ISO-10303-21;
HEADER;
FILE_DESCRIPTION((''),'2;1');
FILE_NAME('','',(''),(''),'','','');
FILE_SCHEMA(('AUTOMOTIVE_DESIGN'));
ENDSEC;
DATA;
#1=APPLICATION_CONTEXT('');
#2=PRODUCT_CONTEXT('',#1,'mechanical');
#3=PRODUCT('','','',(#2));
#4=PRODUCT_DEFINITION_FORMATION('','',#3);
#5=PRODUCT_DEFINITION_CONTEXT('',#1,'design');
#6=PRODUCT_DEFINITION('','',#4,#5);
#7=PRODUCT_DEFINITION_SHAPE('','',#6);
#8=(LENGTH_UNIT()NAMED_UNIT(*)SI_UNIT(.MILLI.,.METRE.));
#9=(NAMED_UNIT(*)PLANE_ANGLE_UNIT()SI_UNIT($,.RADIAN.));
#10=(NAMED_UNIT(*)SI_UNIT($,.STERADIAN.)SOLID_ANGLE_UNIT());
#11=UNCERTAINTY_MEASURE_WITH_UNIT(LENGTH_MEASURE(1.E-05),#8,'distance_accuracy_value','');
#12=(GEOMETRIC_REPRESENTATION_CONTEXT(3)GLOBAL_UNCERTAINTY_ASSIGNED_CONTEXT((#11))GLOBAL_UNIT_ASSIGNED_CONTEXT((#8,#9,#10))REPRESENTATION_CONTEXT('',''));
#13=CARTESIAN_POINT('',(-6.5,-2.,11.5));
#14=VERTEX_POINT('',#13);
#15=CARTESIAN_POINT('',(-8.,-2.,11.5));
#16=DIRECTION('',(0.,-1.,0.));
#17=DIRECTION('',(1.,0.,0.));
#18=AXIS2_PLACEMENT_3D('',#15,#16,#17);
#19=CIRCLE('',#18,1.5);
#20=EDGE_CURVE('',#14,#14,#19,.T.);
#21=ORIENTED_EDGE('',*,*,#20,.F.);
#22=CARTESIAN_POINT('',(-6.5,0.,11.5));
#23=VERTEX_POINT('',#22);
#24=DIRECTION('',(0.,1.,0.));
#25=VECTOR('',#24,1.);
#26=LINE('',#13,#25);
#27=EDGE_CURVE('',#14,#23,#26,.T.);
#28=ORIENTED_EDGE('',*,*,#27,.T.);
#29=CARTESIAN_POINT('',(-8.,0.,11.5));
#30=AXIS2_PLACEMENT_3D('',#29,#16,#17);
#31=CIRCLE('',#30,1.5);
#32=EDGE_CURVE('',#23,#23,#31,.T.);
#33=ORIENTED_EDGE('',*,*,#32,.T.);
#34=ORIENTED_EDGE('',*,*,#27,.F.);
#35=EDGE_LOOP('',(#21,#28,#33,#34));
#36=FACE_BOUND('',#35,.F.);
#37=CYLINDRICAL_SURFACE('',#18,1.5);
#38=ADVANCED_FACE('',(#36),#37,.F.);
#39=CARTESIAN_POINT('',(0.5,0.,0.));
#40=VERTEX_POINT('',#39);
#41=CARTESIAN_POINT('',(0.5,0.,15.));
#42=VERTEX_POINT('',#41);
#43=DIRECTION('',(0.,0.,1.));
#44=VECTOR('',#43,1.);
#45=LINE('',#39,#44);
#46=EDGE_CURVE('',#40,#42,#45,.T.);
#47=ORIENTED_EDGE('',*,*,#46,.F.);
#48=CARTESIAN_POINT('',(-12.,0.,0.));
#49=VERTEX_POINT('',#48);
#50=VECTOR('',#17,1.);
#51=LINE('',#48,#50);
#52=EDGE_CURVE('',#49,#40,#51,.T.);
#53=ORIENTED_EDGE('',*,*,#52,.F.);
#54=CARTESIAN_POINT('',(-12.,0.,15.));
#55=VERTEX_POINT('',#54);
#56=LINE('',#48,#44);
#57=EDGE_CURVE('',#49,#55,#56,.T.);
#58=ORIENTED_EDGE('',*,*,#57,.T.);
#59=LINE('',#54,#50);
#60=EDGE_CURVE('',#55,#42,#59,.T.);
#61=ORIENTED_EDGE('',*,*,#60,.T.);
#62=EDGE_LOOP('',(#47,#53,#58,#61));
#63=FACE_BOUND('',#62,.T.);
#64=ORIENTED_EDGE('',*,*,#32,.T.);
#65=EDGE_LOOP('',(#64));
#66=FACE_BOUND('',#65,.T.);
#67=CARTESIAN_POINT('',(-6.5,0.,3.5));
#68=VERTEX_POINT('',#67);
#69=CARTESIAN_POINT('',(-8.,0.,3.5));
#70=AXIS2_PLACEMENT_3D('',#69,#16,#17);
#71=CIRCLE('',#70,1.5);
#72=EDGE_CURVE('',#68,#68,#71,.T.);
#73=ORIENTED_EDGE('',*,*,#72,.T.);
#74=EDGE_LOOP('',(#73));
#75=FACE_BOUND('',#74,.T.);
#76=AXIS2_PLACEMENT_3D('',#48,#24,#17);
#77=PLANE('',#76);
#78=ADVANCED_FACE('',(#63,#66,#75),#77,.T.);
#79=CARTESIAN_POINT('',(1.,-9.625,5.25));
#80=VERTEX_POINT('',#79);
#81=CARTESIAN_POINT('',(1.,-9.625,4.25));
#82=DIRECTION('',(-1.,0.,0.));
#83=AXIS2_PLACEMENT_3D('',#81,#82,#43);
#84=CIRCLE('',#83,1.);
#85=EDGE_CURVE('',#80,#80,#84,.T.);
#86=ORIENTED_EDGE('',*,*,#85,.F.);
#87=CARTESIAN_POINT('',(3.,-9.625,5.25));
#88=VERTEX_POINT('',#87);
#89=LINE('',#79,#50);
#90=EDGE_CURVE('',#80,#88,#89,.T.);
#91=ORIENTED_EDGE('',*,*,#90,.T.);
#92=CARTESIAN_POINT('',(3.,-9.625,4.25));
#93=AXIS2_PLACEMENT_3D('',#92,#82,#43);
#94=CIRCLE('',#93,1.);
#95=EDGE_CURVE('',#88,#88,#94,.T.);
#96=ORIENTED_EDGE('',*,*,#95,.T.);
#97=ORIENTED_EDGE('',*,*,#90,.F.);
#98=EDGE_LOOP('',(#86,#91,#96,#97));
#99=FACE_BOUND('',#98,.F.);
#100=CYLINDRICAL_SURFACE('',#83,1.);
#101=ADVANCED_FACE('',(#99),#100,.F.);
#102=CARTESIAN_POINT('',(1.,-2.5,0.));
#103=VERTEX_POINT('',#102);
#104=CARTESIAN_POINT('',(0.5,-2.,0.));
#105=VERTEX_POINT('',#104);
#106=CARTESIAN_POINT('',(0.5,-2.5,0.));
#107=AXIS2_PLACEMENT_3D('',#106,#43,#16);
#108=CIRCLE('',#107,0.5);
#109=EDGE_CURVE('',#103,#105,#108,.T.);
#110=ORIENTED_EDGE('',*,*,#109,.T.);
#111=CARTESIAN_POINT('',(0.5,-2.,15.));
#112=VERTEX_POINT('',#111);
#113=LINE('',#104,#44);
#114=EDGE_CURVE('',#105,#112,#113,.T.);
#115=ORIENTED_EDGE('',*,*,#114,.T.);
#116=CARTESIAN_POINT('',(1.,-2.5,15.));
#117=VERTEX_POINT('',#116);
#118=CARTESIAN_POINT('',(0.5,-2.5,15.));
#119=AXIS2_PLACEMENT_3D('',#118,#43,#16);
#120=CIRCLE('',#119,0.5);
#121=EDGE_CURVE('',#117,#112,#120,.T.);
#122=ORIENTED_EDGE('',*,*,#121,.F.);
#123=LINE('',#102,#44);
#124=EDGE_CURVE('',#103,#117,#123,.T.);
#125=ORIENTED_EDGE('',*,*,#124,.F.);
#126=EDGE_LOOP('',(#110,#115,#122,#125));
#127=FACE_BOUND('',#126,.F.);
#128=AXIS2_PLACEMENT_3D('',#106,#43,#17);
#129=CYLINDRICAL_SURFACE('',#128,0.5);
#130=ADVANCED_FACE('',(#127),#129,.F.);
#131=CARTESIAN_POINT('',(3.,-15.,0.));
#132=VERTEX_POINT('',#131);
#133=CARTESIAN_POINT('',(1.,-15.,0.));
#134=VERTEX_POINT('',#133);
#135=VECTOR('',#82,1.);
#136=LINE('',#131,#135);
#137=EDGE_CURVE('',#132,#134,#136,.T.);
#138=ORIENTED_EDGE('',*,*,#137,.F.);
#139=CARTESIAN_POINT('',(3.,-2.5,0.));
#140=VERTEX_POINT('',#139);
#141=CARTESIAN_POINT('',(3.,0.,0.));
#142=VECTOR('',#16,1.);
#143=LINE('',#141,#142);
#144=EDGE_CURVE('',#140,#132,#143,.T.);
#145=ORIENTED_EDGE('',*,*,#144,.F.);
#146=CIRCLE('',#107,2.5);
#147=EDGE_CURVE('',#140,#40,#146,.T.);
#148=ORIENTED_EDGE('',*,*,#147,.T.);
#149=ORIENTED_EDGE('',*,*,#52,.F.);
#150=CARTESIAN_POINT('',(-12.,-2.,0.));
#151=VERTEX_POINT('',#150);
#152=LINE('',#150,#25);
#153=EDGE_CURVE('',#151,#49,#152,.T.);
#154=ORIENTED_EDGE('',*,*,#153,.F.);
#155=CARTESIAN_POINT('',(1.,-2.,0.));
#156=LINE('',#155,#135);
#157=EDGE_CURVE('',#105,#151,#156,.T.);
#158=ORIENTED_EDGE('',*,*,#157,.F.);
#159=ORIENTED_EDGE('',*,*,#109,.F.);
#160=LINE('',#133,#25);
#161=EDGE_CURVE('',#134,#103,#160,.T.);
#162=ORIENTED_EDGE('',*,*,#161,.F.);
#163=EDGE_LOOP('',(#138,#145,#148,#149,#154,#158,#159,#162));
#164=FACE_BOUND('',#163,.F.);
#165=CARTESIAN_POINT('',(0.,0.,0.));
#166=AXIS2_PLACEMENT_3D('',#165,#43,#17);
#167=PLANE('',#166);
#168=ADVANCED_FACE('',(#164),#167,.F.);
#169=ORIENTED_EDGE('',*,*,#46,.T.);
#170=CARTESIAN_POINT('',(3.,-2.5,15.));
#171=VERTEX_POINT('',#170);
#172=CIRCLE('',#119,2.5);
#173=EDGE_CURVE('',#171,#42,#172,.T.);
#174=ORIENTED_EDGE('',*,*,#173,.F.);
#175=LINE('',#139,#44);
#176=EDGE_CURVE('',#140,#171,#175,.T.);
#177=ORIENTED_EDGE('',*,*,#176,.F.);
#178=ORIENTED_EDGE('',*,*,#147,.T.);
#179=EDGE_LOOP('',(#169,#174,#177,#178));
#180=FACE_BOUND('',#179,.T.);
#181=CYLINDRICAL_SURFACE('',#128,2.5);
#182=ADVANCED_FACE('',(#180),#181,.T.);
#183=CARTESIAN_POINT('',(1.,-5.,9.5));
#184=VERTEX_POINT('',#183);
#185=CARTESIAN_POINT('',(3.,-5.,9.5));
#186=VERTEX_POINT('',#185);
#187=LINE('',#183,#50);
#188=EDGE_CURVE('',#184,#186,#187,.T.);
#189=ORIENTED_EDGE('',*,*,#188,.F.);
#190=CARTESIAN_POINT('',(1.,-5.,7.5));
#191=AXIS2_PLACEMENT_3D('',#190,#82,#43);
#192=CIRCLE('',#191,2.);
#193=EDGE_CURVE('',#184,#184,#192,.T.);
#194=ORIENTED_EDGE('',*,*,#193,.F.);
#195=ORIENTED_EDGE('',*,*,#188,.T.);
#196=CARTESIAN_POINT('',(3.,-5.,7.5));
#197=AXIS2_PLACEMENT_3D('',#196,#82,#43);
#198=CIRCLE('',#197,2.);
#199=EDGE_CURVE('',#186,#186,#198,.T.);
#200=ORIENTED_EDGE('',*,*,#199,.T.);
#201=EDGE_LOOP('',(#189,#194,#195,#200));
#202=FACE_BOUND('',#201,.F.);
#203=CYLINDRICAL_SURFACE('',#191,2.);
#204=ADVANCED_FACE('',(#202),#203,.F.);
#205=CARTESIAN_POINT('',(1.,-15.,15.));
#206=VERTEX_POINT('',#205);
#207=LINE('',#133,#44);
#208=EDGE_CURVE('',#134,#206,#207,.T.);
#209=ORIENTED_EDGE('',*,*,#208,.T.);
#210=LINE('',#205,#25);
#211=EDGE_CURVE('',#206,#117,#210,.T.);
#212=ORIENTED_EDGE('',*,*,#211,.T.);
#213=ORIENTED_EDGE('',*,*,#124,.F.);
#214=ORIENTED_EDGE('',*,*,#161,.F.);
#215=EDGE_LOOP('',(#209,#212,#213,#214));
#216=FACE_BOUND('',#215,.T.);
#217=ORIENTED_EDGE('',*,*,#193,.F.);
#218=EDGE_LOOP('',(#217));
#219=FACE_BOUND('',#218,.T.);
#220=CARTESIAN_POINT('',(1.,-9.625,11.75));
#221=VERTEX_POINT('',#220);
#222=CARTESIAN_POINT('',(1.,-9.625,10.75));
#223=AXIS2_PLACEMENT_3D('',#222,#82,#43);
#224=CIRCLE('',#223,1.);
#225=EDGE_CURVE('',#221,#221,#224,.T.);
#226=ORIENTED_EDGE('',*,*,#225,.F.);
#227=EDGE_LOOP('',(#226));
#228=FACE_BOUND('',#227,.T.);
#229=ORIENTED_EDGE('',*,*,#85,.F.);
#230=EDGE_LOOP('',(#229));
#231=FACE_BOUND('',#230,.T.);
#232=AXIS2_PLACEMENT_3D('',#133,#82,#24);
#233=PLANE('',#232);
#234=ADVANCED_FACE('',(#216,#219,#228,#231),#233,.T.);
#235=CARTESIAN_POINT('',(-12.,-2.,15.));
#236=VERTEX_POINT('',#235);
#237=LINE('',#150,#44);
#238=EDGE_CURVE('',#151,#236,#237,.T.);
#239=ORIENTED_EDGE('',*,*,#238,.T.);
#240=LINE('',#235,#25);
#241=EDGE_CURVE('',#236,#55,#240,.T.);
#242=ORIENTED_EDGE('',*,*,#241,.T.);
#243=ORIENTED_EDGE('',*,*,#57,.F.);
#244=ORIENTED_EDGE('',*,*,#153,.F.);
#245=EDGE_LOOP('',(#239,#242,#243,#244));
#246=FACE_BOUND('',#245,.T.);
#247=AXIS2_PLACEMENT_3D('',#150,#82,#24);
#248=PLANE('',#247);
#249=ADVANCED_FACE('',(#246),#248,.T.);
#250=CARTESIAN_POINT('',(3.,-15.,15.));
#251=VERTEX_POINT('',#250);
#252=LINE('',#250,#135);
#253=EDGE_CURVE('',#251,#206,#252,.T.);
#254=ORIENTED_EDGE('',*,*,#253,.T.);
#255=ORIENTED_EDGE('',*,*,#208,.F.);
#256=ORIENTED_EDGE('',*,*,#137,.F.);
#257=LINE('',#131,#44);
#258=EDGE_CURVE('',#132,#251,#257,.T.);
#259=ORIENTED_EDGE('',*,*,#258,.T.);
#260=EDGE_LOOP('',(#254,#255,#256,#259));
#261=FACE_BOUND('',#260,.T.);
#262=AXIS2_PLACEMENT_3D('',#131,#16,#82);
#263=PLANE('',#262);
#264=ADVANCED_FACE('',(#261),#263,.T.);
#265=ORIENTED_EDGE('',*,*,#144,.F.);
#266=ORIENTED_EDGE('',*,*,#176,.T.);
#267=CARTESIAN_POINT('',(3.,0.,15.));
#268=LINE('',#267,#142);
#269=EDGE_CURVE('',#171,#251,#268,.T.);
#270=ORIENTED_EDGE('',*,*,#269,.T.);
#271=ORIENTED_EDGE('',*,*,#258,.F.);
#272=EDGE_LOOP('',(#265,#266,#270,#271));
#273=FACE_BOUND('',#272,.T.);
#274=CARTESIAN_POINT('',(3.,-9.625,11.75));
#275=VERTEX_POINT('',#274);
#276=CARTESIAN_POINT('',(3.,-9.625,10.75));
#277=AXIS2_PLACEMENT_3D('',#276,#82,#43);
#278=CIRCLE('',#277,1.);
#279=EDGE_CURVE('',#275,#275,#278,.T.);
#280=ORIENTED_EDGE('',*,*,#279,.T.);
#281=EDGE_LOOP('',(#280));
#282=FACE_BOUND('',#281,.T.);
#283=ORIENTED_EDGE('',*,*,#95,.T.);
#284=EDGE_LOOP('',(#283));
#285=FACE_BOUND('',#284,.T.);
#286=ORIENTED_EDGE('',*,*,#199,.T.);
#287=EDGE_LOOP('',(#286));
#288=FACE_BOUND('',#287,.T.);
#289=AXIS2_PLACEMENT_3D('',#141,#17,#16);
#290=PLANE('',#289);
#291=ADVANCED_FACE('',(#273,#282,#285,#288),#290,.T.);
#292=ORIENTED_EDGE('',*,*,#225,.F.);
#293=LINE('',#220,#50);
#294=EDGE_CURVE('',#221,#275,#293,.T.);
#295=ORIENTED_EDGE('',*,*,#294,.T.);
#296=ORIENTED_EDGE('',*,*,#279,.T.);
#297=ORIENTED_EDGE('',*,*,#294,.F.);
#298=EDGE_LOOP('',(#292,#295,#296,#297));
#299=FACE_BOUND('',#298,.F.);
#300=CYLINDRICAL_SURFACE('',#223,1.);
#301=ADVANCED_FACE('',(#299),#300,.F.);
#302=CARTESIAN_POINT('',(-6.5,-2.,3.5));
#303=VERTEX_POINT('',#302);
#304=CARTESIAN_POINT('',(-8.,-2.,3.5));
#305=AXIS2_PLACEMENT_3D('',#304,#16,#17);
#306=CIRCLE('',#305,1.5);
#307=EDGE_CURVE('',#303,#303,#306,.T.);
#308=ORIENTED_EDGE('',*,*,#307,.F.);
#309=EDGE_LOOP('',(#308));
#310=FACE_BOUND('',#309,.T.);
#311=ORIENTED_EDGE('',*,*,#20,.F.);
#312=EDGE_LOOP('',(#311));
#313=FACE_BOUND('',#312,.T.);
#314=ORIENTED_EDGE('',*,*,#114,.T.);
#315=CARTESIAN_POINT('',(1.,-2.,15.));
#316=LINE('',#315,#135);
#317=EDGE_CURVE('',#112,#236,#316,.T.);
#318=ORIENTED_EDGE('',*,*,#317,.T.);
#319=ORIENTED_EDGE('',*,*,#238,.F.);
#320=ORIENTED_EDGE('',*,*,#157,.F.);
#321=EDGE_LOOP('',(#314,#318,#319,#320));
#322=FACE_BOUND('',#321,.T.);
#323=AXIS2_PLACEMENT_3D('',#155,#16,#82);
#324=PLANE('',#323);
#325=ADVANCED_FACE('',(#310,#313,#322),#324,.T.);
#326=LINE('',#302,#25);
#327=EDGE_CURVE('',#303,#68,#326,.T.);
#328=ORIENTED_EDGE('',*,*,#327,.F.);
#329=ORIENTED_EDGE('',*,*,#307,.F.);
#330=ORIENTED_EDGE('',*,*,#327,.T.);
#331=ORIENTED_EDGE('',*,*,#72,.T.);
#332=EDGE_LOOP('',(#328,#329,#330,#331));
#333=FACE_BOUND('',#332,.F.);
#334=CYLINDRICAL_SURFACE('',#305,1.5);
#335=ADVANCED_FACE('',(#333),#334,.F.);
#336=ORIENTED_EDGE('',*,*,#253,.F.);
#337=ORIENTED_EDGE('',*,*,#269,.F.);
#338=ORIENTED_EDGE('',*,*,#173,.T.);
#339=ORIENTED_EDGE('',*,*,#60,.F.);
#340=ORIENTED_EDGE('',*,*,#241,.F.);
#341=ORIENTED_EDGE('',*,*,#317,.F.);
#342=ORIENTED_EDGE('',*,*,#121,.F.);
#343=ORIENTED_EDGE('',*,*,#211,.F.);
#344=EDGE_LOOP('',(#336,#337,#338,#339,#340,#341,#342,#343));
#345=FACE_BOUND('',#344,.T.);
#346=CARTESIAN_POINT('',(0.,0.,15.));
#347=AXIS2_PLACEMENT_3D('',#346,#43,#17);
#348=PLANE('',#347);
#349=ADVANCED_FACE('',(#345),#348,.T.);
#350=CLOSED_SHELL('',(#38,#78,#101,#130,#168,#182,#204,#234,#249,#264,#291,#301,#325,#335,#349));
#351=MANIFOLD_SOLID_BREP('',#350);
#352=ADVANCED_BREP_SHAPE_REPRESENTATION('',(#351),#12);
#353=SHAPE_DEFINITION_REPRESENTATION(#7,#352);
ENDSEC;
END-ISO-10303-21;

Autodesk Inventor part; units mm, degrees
ref_plane "YZ Plane" through (0, 0, 0) normal (1, 0, 0) x (0, 1, 0)
ref_plane "XZ Plane" through (0, 0, 0) normal (0, 1, 0) x (-1, 0, 0)
ref_plane "XY Plane" through (0, 0, 0) normal (0, 0, 1) x (1, 0, 0)
sketch "Sketch1" plane through (0, 0, 0) normal (0, 0, 1) x (1, 0, 0)
  line L0 (3, 0) -> (3, -15)
  line L1 (3, -15) -> (1, -15)
  line L2 (1, -15) -> (1, -2)
  line L3 (1, -2) -> (-12, -2)
  line L4 (-12, -2) -> (-12, 0)
  line L5 (-12, 0) -> (3, 0)
  line L6 (-12, 0) -> (3, 0)
  dimension "d38" = 2
  dimension "d39" = 13
  dimension "d40" = 13
  dimension "d41" = 2
extrude "Extrusion3" add sketch "Sketch1" along normal blind 15
sketch "Sketch2" plane through (-12, -2, 0) normal (0, -1, 0) x (1, 0, 0)
  circle A0 centre (4, 3.5) radius 1.5
  line L0 (0, 15) -> (13, 15) projected
  line L1 (0, 0) -> (0, 15) projected
  line L2 (0, 0) -> (13, 0) projected
  circle A1 centre (4, 11.5) radius 1.5
  dimension "d45" = 3
  dimension "d47" = 4
  dimension "d48" = 3.5
  dimension "d49" = 3
  dimension "d50" = 4
  dimension "d51" = 3.5
extrude "Extrusion4" cut sketch "Sketch2" against normal blind 10
sketch "Sketch3" plane through (1, -15, 0) normal (-1, 0, 0) x (0, 0, 1)
  circle A0 centre (10.75, 5.375) radius 1
  circle A1 centre (4.25, 5.375) radius 1
  line L0 (0, 0) -> (15, 0) projected
  line L1 (15, 13) -> (15, 0) projected
  line L2 (0, 13) -> (0, 0) projected
  circle A2 centre (7.5, 10) radius 2
  dimension "d54" = 2
  dimension "d55" = 2
  dimension "d56" = 5.375
  dimension "d57" = 5.375
  dimension "d58" = 4.25
  dimension "d59" = 4.25
  dimension "d62" = 4
  dimension "d65" = 10
extrude "Extrusion5" cut sketch "Sketch3" against normal blind 10 contours A0 | A1
extrude "Extrusion6" cut sketch "Sketch3" against normal blind 10 contours A2
fillet "Fillet1" radius 2.5 1 edges at (3, 0, 7.5)
fillet "Fillet2" radius 0.5 1 edges at (1, -2, 7.5)
equation "\"d51\" = d48"
equation "\"d58\" = d59"
properties part number "Soporte de Final de Carrera - Eje X" material "Aluminum 1100-H14"
